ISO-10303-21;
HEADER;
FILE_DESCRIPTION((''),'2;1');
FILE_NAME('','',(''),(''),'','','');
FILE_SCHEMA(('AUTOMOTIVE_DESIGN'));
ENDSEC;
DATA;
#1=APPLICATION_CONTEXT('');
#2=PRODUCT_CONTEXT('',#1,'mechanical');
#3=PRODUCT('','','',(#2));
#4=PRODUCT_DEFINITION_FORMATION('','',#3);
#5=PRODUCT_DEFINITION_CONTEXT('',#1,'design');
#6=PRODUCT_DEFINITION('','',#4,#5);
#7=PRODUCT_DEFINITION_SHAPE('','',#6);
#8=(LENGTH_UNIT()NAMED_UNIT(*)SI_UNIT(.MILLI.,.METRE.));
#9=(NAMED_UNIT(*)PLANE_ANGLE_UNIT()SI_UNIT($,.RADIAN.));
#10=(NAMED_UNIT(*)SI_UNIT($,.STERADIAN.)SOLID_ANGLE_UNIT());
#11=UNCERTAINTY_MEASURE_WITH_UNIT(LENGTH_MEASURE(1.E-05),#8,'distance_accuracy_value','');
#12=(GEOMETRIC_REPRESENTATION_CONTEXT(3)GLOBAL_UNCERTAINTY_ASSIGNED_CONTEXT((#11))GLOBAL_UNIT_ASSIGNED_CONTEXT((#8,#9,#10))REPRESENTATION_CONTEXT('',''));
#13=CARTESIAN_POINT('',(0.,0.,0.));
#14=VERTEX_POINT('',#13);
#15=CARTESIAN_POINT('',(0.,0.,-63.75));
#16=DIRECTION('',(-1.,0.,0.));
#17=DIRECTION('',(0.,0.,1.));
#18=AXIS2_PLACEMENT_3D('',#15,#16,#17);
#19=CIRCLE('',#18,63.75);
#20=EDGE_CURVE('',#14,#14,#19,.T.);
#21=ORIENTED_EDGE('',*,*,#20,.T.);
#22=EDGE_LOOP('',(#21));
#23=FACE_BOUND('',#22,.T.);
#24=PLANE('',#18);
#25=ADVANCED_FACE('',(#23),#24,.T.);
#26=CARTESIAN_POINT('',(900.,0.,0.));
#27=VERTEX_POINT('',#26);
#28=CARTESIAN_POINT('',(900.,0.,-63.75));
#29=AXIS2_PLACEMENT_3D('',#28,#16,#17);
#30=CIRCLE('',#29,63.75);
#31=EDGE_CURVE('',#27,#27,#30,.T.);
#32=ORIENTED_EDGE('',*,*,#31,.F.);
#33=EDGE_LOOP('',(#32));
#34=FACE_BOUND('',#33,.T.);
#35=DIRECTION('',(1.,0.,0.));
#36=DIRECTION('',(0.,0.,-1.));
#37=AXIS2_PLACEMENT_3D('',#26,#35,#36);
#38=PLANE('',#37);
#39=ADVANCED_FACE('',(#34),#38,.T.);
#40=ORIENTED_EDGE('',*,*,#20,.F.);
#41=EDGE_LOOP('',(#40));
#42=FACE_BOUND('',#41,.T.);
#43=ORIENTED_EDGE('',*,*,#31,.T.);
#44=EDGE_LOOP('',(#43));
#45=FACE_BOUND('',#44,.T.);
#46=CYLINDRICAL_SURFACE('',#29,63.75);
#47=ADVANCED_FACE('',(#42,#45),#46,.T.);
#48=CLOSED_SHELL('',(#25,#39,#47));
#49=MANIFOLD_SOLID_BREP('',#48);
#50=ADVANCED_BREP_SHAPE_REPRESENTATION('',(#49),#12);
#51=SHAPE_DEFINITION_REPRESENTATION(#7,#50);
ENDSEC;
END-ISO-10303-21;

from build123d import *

# Parameters (mm, degrees)
SKETCH2_W = 900
SKETCH2_H = 63.75


with BuildPart() as part:
    # Sketch2 → Revolve1 (revolve)
    with BuildSketch(Plane(origin=(0, 0, 0), x_dir=(1, 0, 0), z_dir=(0, 1, 0))):
        with Locations((450, 31.875)):
            Rectangle(SKETCH2_W, SKETCH2_H)
    revolve(axis=Axis((900, 0, -63.75), (-1, 0, 0)))


solid = part.part
